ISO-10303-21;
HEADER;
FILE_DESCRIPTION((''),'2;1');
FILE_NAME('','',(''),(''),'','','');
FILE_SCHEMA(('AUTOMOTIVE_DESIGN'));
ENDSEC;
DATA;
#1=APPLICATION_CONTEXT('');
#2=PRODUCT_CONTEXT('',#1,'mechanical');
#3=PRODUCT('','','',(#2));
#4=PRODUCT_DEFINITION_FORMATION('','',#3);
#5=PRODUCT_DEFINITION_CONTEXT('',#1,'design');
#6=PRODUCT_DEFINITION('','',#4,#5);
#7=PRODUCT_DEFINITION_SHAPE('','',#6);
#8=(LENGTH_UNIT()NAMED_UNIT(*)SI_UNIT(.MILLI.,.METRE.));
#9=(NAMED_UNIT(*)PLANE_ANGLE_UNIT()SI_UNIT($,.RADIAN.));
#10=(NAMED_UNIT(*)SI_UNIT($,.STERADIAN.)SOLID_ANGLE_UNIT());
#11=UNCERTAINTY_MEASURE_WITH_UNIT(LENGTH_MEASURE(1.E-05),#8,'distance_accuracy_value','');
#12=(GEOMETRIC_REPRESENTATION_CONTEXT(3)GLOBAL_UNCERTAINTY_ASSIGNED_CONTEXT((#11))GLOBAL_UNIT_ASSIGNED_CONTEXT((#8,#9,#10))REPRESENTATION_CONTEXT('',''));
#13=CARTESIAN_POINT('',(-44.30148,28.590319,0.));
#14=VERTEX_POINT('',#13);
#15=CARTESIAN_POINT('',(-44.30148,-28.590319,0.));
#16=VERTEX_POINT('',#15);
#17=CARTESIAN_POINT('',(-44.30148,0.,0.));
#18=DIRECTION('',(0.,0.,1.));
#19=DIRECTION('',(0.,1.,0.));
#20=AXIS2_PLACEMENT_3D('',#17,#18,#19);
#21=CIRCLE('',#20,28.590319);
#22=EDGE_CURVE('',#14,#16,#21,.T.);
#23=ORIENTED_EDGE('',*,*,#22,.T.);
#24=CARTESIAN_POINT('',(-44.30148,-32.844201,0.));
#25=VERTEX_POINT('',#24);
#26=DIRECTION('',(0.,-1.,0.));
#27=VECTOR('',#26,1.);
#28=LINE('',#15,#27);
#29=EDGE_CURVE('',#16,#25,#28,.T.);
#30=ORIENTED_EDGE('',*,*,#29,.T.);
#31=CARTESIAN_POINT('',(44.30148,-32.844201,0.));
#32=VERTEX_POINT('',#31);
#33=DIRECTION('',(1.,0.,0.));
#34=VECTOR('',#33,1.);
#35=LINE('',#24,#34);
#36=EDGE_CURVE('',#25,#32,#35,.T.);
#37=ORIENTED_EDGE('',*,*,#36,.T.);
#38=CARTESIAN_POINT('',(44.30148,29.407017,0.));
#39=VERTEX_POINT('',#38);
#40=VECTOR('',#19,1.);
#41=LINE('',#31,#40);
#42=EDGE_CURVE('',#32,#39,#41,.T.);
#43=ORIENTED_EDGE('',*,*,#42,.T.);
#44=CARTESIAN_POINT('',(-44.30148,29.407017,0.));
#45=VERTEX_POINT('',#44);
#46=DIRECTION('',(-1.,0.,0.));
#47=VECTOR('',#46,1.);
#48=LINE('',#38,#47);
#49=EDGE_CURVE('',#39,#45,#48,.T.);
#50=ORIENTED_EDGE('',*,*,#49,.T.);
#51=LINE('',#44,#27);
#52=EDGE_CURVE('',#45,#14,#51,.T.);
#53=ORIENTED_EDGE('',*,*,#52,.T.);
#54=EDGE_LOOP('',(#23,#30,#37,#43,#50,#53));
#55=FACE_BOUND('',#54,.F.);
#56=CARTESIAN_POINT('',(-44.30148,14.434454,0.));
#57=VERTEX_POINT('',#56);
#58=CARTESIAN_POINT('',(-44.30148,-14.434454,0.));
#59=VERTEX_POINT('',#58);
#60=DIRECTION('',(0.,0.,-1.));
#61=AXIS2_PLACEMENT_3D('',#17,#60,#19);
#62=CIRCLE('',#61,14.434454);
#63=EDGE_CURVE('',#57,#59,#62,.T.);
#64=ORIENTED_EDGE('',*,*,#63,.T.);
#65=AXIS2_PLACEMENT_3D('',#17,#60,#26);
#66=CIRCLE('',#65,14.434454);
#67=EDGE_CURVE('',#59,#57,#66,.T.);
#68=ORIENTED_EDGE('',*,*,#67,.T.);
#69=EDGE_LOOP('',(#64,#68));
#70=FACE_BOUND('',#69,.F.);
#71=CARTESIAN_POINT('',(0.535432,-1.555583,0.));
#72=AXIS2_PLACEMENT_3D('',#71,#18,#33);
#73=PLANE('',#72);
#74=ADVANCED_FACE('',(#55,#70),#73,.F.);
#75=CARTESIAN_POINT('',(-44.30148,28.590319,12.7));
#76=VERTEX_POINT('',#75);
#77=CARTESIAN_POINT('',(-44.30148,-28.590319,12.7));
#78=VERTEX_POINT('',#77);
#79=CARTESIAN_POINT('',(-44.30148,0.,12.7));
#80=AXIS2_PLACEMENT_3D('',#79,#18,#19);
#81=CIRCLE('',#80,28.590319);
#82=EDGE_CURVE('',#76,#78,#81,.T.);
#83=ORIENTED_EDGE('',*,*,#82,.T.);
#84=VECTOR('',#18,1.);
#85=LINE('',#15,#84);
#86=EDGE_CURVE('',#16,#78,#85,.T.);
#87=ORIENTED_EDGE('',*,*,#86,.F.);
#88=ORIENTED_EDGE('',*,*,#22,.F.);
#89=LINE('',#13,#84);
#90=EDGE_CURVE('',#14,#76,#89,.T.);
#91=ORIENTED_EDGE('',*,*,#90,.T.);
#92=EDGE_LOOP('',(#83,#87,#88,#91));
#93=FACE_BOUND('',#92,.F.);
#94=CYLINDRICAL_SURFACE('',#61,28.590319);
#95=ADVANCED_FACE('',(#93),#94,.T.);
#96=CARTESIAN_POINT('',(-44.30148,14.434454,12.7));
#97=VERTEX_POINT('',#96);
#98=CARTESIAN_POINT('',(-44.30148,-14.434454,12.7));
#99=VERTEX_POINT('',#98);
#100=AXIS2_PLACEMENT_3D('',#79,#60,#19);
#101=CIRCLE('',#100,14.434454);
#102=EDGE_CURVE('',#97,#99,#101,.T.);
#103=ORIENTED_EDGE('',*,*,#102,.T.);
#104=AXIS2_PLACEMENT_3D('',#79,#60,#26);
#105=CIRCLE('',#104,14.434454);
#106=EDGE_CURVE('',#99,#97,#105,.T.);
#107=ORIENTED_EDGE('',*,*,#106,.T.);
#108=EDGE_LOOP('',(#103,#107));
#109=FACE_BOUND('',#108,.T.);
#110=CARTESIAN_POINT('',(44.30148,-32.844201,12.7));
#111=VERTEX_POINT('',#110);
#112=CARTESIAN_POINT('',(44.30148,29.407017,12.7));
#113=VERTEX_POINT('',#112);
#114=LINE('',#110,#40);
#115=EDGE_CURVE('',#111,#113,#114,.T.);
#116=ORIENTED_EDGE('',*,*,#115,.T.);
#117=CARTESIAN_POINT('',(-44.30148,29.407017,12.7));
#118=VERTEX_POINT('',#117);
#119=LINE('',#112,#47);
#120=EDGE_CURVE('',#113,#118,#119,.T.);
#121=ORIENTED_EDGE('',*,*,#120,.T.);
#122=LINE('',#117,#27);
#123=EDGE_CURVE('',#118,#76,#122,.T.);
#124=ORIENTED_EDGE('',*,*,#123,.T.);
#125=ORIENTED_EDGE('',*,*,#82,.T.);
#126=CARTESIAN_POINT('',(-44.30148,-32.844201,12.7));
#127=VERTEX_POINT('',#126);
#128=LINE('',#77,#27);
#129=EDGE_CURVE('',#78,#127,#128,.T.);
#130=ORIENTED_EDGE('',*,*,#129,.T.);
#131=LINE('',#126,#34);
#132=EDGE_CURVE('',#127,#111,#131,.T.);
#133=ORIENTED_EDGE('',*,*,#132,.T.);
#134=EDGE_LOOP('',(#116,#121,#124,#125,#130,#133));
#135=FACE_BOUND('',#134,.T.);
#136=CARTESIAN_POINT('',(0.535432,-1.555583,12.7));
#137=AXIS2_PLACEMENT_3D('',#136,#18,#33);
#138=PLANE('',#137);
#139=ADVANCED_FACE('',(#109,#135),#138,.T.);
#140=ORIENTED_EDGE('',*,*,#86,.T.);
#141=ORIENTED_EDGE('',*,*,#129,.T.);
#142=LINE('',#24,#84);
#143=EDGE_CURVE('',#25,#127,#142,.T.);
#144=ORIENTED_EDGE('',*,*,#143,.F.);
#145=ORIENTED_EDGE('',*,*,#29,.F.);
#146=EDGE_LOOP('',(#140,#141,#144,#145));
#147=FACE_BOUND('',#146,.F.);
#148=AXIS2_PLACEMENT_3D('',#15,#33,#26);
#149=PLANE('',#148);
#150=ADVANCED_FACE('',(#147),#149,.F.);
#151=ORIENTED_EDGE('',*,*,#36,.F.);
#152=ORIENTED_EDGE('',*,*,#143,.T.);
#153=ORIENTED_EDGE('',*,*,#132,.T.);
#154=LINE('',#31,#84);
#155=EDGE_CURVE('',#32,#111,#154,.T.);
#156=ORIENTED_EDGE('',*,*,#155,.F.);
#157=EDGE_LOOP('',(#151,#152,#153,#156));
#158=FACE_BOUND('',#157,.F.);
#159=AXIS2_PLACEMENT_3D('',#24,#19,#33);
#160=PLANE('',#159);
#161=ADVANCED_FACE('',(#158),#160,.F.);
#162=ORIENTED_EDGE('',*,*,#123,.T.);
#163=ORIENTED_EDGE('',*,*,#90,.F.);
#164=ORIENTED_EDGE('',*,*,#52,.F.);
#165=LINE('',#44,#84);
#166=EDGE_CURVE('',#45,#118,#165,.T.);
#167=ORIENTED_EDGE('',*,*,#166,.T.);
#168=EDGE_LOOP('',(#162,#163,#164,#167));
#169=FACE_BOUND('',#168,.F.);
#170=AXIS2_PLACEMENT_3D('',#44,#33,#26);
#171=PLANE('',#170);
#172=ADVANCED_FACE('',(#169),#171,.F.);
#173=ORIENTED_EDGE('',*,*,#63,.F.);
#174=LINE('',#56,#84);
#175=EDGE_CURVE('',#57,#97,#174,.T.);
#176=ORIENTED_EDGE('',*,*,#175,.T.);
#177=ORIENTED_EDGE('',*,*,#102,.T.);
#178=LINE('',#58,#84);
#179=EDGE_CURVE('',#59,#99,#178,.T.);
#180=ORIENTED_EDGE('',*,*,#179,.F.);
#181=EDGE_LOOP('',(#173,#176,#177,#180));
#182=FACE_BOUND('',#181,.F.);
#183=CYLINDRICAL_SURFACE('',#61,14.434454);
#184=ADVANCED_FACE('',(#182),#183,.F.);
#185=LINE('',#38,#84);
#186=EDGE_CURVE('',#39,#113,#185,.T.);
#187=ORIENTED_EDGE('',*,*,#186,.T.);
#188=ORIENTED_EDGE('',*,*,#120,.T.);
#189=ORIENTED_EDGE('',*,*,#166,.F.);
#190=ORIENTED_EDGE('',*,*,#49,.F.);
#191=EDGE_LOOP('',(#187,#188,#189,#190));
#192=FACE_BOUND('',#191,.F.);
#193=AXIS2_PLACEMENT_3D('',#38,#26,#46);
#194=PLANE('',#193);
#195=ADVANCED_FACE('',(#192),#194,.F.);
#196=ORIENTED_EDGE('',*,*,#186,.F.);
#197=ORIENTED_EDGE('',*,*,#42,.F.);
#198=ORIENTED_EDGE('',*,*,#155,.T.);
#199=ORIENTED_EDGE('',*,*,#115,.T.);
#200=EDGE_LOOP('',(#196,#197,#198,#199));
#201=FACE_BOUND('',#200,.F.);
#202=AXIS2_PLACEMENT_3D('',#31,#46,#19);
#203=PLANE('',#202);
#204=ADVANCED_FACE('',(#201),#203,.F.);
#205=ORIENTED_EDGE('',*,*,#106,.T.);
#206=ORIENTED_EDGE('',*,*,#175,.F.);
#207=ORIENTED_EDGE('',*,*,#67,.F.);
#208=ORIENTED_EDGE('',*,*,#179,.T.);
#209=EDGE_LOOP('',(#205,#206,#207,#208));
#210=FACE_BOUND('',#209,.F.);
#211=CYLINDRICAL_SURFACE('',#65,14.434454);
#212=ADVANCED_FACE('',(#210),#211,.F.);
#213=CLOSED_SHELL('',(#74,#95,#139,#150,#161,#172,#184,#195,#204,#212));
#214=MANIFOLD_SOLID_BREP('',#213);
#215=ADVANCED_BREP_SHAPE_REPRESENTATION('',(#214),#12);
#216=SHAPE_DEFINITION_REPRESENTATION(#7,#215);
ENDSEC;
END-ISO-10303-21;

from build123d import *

# Parameters (mm, degrees)
F1_DEPTH = 12.7


with BuildPart() as f1:
    # F0 (on Top) → F1 (new body)
    with BuildSketch(Plane.XY):
        with BuildLine():
            Line((-44.3014800549, -32.8442007303), (44.3014800549, -32.8442007303))
            Line((44.3014800549, -32.8442007303), (44.3014800549, 29.407016933))
            Line((44.3014800549, 29.407016933), (-44.3014800549, 29.407016933))
            Line((-44.3014800549, 29.407016933), (-44.3014800549, 28.5903187115))
            ThreePointArc((-44.3014800549, 28.5903187115), (-24.0850718176, 20.2164082372), (-15.7111613433, 0))
            ThreePointArc((-15.7111613433, 0), (-24.0850718176, -20.2164082372), (-44.3014800549, -28.5903187115))
            Line((-44.3014800549, -28.5903187115), (-44.3014800549, -32.8442007303))
        make_face()
        with BuildLine():
            ThreePointArc((-44.3014800549, 28.5903187115), (-72.8917987664, 0), (-44.3014800549, -28.5903187115))
            Line((-44.3014800549, -28.5903187115), (-44.3014800549, -14.4344542652))
            ThreePointArc((-44.3014800549, -14.4344542652), (-58.73593432, 0), (-44.3014800549, 14.4344542652))
            Line((-44.3014800549, 14.4344542652), (-44.3014800549, 28.5903187115))
        make_face()
        with BuildLine():
            Line((-44.3014800549, -14.4344542652), (-44.3014800549, -28.5903187115))
            ThreePointArc((-44.3014800549, -28.5903187115), (-24.0850718176, -20.2164082372), (-15.7111613433, 0))
            ThreePointArc((-15.7111613433, 0), (-24.0850718176, 20.2164082372), (-44.3014800549, 28.5903187115))
            Line((-44.3014800549, 28.5903187115), (-44.3014800549, 14.4344542652))
            ThreePointArc((-44.3014800549, 14.4344542652), (-34.0947795612, 10.2067004936), (-29.8670257897, 0))
            ThreePointArc((-29.8670257897, 0), (-34.0947795612, -10.2067004936), (-44.3014800549, -14.4344542652))
        make_face()
    extrude(amount=F1_DEPTH)


solid = f1.part
